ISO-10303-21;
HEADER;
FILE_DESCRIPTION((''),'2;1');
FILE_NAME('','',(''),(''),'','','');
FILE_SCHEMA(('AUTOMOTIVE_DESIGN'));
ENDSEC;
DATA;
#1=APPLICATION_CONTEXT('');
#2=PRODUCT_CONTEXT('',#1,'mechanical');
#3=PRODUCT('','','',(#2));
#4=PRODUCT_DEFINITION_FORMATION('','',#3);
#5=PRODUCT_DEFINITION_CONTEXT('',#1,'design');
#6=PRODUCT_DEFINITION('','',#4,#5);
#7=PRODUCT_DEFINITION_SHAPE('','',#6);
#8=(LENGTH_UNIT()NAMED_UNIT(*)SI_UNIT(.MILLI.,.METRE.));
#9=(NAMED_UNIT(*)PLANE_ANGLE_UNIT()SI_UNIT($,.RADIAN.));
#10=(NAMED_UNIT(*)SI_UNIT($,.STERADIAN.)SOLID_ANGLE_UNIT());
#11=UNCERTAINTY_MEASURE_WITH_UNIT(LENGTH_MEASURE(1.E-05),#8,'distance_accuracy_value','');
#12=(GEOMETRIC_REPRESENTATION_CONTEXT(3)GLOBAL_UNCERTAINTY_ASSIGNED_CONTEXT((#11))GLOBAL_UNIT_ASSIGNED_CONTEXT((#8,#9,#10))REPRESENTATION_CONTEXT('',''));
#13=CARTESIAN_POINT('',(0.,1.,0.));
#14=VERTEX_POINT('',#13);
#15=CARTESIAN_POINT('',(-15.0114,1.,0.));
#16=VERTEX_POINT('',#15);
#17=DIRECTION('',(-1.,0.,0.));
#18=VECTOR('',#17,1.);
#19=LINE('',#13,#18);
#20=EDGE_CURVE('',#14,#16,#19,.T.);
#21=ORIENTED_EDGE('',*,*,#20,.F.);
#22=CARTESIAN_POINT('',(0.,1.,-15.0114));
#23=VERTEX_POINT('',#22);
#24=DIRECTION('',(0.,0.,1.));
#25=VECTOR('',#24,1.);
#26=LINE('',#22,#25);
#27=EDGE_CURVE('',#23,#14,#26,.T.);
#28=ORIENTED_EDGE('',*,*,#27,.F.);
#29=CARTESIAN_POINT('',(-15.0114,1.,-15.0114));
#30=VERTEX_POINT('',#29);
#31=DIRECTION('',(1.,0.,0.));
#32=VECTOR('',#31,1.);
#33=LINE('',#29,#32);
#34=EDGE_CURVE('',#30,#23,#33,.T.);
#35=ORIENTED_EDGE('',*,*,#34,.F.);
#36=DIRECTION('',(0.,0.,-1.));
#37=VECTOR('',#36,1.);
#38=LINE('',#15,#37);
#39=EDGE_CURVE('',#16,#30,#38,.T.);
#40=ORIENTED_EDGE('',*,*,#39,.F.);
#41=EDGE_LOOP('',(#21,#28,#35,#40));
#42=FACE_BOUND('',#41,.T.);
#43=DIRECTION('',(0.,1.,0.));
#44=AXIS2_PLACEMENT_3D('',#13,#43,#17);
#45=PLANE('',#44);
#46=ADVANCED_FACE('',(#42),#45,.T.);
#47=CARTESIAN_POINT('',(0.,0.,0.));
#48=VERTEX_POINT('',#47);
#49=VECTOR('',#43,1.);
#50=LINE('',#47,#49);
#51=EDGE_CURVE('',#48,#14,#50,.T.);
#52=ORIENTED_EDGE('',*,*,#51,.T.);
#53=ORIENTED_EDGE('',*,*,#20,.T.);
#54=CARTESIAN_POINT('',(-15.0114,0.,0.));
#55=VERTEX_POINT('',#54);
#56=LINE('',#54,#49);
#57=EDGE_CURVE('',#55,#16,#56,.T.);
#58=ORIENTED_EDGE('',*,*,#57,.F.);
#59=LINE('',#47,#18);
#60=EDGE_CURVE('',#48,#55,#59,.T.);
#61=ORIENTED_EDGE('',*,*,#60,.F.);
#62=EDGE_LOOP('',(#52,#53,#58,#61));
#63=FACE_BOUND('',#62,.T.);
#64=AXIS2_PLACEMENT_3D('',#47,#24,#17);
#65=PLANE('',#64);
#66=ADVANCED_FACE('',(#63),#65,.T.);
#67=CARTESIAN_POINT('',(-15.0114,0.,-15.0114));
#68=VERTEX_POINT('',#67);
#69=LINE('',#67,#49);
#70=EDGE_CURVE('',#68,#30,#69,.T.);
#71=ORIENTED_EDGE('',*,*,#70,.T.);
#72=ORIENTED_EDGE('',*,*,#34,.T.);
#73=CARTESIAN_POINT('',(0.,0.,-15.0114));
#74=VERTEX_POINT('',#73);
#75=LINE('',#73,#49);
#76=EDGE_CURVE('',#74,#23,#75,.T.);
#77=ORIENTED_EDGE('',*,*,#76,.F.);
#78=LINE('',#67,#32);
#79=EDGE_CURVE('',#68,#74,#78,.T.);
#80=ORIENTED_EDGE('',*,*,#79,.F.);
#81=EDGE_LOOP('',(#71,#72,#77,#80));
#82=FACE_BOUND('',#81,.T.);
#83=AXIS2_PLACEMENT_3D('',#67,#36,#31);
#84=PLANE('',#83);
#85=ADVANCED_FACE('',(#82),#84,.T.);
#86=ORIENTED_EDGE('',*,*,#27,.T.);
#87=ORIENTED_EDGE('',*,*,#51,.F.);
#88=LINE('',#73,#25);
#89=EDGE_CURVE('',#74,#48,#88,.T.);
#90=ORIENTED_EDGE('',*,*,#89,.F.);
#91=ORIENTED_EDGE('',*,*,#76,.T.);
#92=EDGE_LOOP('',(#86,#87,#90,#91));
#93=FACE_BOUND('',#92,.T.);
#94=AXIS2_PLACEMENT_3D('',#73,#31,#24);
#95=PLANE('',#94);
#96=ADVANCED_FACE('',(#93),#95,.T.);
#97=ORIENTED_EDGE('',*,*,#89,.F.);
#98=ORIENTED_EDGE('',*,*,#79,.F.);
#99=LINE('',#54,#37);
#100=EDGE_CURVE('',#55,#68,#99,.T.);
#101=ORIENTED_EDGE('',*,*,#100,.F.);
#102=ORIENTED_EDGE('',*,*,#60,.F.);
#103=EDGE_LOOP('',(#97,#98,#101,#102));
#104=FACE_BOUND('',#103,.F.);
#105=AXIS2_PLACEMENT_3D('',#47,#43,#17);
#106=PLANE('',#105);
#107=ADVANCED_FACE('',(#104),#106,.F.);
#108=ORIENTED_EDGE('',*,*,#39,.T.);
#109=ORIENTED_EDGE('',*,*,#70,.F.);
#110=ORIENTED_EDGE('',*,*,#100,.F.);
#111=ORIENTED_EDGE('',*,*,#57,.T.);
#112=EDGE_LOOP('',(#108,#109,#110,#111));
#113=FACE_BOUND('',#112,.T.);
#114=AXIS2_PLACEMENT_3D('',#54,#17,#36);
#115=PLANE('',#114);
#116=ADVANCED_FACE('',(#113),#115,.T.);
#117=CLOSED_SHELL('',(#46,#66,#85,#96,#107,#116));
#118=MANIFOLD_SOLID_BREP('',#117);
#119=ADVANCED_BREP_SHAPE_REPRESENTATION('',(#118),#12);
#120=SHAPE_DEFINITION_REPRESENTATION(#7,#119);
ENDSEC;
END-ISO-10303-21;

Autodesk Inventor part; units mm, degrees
ref_plane "YZ Plane" through (0, 0, 0) normal (1, 0, 0) x (0, 1, 0)
ref_plane "XZ Plane" through (0, 0, 0) normal (0, 1, 0) x (-1, 0, 0)
ref_plane "XY Plane" through (0, 0, 0) normal (0, 0, 1) x (1, 0, 0)
sketch "Sketch1" plane through (0, 0, 0) normal (0, 1, 0) x (-1, 0, 0)
  point P0 (0, 0)
sketch "Sketch2" plane through (0, 0, 0) normal (0, 1, 0) x (-1, 0, 0)
  line L0 (0, 0) -> (15.0114, 0)
  line L1 (15.0114, 0) -> (15.0114, -15.0114)
  line L2 (15.0114, -15.0114) -> (0, -15.0114)
  line L3 (0, -15.0114) -> (0, 0)
  dimension "d0" = 15.0114
extrude "Extrusion1" add sketch "Sketch2" along normal blind 1
properties part number "GelSlab"
